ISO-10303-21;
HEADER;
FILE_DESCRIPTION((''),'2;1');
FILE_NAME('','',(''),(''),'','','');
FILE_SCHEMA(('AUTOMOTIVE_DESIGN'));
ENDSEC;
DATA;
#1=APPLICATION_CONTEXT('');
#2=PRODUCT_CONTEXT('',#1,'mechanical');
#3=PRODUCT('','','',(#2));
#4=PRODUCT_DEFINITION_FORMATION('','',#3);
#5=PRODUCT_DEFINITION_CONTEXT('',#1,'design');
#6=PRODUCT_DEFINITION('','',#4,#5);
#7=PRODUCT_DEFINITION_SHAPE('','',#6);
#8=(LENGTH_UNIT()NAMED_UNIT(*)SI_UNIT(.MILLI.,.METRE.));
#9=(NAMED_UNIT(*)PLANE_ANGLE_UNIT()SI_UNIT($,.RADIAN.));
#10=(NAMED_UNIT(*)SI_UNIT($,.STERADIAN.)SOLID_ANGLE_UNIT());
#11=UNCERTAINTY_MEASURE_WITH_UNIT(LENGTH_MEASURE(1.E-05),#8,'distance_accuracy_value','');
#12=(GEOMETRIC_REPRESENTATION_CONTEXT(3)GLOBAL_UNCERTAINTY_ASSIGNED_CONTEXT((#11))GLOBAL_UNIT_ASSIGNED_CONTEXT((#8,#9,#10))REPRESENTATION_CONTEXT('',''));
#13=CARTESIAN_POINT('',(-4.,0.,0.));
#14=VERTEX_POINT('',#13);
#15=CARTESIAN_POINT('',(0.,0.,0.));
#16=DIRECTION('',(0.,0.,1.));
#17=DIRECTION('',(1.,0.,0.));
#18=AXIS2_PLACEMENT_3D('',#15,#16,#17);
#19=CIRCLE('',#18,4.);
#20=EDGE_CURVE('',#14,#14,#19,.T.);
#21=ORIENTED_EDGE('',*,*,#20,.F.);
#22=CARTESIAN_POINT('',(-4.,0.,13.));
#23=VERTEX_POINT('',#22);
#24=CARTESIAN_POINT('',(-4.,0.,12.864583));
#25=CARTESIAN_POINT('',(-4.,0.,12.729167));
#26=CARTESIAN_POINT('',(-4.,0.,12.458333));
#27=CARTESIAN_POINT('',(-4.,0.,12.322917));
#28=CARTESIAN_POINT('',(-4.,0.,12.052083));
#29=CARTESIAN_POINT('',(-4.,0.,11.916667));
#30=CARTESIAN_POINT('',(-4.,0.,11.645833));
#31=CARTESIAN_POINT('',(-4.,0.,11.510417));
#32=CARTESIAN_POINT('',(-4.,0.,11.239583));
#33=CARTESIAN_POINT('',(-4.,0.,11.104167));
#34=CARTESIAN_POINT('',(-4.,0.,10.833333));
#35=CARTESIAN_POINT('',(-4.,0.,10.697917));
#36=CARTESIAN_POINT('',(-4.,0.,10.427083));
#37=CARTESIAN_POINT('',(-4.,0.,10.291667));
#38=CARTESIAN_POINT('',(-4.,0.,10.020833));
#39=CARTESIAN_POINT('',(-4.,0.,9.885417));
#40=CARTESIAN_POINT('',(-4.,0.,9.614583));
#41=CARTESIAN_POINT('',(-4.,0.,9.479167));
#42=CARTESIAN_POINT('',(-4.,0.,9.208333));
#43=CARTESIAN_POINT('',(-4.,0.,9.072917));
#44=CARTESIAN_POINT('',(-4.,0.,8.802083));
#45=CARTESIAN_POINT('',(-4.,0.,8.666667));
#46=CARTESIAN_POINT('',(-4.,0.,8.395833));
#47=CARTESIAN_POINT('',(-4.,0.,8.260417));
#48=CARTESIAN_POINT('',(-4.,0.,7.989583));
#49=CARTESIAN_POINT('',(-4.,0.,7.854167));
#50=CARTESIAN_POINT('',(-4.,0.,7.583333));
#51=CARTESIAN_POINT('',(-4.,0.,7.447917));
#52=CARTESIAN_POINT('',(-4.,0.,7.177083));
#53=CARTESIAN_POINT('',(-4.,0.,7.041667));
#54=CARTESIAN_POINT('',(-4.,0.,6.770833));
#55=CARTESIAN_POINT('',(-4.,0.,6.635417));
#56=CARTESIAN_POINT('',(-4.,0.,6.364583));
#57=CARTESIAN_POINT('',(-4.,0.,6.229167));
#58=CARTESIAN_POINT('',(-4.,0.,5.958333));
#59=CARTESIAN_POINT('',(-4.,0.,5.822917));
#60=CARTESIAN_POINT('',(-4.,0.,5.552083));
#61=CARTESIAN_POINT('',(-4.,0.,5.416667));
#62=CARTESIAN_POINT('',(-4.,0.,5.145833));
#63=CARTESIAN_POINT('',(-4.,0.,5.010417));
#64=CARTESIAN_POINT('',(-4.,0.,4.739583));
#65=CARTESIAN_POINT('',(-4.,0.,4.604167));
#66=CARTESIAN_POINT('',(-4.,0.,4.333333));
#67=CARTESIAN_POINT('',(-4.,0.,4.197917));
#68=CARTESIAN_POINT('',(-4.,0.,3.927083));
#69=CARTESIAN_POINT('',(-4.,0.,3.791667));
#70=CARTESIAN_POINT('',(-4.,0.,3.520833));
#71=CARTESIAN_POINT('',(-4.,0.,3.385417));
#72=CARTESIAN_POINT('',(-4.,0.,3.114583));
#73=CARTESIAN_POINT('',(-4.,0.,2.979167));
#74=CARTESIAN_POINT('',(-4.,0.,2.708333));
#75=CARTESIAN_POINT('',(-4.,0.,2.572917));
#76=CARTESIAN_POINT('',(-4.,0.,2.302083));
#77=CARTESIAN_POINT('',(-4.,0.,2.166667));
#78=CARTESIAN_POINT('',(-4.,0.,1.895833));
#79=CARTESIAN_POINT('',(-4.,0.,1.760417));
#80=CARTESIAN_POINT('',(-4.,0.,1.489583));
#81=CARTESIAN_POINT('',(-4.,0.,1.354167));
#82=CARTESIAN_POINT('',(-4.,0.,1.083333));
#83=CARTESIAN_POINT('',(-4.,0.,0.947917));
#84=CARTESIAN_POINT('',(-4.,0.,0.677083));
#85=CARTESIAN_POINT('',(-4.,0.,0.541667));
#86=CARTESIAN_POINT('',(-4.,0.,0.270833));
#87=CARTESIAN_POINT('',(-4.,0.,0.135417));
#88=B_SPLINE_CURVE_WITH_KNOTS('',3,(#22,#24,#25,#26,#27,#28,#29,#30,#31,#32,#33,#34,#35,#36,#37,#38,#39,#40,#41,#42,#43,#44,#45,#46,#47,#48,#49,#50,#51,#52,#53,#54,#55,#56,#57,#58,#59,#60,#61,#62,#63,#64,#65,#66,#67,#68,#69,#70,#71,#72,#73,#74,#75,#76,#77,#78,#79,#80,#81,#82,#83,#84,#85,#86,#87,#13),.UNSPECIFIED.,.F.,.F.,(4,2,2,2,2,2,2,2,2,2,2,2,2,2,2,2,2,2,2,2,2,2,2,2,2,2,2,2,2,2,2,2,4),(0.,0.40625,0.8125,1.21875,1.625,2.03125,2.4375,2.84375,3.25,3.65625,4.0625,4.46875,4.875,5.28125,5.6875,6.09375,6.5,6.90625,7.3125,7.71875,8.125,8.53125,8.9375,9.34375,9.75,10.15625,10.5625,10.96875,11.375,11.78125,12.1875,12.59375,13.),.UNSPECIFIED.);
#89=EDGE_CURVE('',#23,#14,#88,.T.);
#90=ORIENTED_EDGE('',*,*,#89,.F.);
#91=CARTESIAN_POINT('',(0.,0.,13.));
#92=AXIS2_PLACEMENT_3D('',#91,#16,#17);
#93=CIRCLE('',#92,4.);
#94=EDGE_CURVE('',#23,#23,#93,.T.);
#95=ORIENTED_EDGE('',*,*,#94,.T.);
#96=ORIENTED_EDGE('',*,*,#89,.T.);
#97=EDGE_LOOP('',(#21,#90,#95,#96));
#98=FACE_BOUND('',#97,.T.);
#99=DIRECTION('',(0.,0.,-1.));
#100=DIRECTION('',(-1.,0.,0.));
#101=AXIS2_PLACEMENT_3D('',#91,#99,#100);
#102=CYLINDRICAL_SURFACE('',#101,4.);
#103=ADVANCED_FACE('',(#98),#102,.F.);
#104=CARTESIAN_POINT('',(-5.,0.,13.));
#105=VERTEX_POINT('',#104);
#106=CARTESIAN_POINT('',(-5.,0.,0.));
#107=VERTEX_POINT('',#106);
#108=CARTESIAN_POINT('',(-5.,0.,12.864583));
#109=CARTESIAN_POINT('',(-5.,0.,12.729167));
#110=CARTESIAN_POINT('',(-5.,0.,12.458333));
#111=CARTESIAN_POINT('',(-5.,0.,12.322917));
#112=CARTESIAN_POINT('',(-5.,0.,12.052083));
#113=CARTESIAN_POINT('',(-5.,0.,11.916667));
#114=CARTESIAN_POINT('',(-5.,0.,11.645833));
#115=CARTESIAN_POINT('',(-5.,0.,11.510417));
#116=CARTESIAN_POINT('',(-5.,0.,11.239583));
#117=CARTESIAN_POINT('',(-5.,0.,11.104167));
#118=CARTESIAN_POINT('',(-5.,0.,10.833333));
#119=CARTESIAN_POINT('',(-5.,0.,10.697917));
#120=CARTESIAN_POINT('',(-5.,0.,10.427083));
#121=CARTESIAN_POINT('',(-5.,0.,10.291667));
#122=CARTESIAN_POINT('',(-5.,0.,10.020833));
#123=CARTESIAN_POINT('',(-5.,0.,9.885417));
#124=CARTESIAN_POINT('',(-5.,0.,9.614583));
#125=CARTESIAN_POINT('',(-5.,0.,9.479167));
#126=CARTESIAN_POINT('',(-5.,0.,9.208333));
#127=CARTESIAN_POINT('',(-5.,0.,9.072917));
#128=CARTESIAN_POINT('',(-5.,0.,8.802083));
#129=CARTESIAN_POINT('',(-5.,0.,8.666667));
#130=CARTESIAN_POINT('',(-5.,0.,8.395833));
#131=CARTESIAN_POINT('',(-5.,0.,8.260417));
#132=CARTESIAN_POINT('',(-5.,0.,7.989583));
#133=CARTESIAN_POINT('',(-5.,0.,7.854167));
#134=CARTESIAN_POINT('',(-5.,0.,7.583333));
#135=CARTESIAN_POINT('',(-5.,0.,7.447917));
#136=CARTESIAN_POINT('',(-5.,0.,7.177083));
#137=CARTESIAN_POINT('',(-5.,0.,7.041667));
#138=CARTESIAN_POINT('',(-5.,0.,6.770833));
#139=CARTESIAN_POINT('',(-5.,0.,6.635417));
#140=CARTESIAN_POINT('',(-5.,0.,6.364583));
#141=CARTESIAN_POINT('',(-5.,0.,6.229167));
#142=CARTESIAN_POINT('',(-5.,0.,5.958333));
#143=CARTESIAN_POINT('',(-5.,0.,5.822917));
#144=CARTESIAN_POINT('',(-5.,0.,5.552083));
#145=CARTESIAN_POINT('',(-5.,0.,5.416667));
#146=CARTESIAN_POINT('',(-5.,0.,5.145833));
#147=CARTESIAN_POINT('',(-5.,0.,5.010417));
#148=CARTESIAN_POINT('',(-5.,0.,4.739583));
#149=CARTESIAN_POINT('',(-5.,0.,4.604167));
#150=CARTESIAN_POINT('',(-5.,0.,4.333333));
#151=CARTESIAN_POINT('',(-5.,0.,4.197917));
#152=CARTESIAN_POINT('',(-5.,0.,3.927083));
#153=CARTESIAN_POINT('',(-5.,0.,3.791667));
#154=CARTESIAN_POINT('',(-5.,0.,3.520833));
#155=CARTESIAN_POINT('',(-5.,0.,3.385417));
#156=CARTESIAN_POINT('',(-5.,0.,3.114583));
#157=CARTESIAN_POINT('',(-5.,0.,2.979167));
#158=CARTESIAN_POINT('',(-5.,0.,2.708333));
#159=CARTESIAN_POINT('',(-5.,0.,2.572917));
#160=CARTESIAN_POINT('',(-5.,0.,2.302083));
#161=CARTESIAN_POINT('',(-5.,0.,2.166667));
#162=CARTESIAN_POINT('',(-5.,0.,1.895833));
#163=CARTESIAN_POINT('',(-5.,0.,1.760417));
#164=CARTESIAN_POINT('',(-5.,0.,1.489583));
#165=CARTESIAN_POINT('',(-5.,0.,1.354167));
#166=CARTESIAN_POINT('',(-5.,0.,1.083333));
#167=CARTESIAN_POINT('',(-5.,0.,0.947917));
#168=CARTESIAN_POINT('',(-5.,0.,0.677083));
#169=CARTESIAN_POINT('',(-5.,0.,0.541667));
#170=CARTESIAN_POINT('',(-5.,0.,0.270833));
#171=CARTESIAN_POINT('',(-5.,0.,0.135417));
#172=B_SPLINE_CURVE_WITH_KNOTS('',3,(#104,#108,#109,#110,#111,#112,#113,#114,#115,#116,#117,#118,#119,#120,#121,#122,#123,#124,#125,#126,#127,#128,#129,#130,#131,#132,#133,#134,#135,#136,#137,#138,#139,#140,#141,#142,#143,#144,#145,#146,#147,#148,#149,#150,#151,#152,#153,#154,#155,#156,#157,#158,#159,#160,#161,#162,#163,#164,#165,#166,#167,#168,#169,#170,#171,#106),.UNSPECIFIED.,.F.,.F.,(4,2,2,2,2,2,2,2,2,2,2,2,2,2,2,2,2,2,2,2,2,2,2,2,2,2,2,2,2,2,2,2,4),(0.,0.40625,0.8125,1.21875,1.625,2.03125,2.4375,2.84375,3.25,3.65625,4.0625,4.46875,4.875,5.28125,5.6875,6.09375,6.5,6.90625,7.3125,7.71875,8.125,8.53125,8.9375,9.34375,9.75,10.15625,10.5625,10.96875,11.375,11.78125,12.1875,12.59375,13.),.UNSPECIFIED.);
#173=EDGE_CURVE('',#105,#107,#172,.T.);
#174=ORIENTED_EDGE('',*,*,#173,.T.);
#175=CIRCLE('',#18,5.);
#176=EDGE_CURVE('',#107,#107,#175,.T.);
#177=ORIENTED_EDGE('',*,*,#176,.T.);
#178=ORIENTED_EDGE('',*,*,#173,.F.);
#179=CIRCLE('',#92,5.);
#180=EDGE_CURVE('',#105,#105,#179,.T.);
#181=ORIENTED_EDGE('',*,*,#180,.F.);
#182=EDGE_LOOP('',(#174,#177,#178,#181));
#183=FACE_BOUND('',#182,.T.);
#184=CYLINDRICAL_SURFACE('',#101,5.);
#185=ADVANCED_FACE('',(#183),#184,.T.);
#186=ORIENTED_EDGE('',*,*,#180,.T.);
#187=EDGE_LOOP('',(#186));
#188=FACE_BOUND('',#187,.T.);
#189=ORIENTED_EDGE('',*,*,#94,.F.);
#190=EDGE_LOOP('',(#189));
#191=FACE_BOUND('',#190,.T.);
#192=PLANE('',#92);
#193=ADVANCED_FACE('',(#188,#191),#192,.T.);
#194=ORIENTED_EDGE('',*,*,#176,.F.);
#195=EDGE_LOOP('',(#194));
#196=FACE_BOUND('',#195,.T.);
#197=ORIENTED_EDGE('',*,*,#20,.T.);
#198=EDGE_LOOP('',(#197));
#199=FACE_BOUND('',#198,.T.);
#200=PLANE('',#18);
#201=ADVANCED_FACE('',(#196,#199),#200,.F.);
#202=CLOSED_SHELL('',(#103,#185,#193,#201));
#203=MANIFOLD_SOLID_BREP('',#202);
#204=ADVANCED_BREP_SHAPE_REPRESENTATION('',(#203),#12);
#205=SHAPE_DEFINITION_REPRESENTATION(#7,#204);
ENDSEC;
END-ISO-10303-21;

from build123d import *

# Parameters (mm, degrees)
ESQUISSE1_R        = 4
BOSS_EXTRU_1_DEPTH = 13
COQUE1_T           = 1


with BuildPart() as part:
    # Esquisse1 → Boss.-Extru.1 (new body)
    with BuildSketch(Plane.XY):
        with Locations(Location((0, 0, 0), (0, 0, 180))):
            Circle(ESQUISSE1_R)
    extrude(amount=BOSS_EXTRU_1_DEPTH)

    # Coque1
    coque1_openings = [part.faces().sort_by_distance(p)[0] for p in [
        (0, 0, 0),
        (0, 0, 13),
    ]]
    offset(amount=COQUE1_T, openings=coque1_openings, kind=Kind.INTERSECTION)


solid = part.part
